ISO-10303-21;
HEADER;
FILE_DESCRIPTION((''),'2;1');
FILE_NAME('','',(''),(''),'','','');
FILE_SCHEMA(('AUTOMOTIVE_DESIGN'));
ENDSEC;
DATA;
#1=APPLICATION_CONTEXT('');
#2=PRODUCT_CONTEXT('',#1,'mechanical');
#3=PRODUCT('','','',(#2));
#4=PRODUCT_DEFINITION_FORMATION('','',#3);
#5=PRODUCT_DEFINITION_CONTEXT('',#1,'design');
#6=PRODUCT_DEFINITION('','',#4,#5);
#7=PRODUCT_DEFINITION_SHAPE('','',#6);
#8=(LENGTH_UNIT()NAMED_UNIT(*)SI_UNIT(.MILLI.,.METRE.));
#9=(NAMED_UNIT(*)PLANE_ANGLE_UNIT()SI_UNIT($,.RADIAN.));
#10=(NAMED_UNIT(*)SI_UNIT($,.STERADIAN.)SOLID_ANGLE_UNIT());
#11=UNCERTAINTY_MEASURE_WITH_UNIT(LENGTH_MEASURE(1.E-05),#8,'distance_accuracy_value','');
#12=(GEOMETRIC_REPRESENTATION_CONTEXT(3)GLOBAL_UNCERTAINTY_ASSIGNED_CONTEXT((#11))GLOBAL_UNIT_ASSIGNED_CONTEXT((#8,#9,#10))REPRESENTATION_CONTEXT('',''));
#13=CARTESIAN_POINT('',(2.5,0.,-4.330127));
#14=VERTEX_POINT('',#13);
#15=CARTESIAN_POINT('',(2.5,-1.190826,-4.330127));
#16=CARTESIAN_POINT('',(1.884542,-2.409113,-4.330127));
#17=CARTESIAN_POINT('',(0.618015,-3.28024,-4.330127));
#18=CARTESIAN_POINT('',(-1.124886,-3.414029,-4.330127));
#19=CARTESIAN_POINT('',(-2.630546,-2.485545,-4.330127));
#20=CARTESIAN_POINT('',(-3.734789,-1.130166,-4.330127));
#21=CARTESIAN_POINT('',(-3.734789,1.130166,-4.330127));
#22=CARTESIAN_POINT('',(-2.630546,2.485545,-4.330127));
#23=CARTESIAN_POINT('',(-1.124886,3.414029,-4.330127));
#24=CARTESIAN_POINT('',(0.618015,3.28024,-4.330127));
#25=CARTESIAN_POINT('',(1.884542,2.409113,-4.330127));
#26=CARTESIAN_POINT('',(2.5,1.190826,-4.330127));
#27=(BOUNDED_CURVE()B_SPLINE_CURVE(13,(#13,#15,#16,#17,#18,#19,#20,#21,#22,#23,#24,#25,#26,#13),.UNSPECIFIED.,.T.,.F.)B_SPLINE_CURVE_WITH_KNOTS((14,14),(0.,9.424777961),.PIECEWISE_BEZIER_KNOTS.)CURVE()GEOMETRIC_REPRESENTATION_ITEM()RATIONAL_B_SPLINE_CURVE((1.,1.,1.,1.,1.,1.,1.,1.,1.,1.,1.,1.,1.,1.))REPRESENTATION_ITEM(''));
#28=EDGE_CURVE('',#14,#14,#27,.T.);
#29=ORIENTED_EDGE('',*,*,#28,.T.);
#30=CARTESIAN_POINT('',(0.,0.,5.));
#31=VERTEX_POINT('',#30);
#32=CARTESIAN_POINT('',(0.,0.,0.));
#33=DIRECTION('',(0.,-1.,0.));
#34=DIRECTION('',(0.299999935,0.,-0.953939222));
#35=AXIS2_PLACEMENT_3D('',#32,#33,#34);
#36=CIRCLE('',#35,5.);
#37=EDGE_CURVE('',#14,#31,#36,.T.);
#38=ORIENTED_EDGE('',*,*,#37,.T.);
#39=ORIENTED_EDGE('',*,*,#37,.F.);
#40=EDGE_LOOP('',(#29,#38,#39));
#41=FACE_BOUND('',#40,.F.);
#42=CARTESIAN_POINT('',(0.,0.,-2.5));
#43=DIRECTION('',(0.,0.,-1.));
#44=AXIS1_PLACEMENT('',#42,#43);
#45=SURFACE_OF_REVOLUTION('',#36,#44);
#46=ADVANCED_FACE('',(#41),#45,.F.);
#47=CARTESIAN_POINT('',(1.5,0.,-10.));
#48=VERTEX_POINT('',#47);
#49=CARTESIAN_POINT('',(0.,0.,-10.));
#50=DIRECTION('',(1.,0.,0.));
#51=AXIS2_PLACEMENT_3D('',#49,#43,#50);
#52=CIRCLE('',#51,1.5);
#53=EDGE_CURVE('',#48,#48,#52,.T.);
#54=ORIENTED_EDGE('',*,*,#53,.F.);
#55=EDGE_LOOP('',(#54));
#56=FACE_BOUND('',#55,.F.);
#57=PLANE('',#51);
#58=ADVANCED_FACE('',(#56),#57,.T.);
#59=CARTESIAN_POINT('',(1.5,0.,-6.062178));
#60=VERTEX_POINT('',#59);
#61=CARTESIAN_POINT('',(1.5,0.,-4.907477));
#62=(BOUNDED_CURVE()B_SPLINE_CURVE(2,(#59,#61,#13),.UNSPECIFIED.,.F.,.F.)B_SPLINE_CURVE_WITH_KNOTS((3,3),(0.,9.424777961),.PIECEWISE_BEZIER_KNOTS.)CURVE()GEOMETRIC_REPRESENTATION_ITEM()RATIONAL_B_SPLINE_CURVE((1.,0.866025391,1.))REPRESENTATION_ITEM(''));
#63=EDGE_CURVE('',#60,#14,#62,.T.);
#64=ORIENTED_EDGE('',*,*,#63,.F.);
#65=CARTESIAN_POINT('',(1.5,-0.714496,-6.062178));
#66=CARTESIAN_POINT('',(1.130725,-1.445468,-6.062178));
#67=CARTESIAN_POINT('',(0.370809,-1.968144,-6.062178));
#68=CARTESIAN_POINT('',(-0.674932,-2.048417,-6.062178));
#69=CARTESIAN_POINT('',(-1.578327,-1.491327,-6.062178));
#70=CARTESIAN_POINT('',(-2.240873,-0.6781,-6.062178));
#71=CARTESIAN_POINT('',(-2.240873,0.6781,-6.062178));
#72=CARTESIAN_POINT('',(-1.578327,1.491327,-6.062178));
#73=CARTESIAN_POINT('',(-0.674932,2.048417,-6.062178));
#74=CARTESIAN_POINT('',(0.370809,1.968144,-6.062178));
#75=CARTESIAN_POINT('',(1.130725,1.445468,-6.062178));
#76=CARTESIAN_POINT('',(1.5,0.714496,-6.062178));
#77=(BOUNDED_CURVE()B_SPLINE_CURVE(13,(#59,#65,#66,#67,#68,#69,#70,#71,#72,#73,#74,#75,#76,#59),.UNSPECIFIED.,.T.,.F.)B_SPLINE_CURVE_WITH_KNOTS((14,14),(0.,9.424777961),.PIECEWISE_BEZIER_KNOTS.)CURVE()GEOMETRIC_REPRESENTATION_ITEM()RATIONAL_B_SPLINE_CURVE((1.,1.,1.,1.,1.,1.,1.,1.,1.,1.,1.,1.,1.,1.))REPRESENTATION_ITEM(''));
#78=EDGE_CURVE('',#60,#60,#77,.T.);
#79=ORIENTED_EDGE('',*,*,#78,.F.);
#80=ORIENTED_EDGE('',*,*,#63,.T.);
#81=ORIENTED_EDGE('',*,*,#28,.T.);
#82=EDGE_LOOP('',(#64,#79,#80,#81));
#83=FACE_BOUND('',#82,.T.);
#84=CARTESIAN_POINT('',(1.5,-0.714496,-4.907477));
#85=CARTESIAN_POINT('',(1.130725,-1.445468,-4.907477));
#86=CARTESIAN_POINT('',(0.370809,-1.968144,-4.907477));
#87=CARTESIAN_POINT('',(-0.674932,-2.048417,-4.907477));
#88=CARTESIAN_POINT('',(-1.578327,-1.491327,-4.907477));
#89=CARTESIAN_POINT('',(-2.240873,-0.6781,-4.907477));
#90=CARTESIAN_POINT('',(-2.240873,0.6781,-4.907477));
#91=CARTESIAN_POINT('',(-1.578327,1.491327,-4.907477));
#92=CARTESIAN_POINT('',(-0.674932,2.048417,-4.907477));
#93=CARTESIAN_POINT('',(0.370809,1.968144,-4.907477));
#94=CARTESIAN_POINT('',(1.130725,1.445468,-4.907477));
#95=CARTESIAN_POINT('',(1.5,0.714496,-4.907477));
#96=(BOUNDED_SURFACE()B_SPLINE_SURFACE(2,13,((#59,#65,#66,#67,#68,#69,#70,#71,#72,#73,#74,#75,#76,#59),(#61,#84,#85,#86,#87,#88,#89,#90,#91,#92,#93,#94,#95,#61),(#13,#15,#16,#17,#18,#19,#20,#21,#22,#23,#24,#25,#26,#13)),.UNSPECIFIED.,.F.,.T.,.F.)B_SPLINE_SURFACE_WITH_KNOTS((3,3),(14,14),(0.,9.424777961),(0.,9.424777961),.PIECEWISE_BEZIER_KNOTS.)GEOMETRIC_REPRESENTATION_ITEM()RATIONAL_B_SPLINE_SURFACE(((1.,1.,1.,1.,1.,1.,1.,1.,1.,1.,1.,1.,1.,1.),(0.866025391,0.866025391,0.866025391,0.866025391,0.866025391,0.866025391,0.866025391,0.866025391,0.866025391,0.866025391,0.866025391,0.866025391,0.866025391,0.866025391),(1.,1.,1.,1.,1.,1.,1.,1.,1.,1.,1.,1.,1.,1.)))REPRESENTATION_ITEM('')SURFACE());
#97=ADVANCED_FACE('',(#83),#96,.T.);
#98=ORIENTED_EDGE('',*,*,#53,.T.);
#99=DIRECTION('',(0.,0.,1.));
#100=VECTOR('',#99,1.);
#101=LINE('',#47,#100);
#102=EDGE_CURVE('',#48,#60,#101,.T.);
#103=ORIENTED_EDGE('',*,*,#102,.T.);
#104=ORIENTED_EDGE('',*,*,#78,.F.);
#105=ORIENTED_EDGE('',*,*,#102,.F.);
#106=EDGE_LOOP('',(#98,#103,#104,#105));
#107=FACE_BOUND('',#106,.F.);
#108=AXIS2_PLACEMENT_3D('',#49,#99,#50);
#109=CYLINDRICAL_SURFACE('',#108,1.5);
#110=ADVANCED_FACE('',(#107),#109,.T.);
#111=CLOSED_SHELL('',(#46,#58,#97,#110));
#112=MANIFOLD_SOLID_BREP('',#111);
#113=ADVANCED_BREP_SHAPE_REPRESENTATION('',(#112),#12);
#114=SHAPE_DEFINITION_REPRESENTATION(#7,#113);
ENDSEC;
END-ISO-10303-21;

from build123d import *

# Parameters (mm, degrees)
F2_R = 2


with BuildPart() as f1:
    # F0 (on Front) → F1 (revolve)
    with BuildSketch(Plane.XZ):
        with BuildLine():
            Line((1.5, -10), (1.5, -4.769696))
            ThreePointArc((1.5, -4.769696), (4.942089, 0.758788), (0, 5))
            Line((0, 5), (0, -10))
            Line((0, -10), (1.5, -10))
        make_face()
    revolve(axis=Axis((0, 0, -2.5), (0, 0, -1)))

    # F2
    f2_edges = [f1.edges().sort_by_distance(p)[0] for p in [
        (-1.5, 0, -4.769696),
        (4.942089, 0, 0.758788),
    ]]
    fillet(f2_edges, radius=F2_R)


solid = f1.part
